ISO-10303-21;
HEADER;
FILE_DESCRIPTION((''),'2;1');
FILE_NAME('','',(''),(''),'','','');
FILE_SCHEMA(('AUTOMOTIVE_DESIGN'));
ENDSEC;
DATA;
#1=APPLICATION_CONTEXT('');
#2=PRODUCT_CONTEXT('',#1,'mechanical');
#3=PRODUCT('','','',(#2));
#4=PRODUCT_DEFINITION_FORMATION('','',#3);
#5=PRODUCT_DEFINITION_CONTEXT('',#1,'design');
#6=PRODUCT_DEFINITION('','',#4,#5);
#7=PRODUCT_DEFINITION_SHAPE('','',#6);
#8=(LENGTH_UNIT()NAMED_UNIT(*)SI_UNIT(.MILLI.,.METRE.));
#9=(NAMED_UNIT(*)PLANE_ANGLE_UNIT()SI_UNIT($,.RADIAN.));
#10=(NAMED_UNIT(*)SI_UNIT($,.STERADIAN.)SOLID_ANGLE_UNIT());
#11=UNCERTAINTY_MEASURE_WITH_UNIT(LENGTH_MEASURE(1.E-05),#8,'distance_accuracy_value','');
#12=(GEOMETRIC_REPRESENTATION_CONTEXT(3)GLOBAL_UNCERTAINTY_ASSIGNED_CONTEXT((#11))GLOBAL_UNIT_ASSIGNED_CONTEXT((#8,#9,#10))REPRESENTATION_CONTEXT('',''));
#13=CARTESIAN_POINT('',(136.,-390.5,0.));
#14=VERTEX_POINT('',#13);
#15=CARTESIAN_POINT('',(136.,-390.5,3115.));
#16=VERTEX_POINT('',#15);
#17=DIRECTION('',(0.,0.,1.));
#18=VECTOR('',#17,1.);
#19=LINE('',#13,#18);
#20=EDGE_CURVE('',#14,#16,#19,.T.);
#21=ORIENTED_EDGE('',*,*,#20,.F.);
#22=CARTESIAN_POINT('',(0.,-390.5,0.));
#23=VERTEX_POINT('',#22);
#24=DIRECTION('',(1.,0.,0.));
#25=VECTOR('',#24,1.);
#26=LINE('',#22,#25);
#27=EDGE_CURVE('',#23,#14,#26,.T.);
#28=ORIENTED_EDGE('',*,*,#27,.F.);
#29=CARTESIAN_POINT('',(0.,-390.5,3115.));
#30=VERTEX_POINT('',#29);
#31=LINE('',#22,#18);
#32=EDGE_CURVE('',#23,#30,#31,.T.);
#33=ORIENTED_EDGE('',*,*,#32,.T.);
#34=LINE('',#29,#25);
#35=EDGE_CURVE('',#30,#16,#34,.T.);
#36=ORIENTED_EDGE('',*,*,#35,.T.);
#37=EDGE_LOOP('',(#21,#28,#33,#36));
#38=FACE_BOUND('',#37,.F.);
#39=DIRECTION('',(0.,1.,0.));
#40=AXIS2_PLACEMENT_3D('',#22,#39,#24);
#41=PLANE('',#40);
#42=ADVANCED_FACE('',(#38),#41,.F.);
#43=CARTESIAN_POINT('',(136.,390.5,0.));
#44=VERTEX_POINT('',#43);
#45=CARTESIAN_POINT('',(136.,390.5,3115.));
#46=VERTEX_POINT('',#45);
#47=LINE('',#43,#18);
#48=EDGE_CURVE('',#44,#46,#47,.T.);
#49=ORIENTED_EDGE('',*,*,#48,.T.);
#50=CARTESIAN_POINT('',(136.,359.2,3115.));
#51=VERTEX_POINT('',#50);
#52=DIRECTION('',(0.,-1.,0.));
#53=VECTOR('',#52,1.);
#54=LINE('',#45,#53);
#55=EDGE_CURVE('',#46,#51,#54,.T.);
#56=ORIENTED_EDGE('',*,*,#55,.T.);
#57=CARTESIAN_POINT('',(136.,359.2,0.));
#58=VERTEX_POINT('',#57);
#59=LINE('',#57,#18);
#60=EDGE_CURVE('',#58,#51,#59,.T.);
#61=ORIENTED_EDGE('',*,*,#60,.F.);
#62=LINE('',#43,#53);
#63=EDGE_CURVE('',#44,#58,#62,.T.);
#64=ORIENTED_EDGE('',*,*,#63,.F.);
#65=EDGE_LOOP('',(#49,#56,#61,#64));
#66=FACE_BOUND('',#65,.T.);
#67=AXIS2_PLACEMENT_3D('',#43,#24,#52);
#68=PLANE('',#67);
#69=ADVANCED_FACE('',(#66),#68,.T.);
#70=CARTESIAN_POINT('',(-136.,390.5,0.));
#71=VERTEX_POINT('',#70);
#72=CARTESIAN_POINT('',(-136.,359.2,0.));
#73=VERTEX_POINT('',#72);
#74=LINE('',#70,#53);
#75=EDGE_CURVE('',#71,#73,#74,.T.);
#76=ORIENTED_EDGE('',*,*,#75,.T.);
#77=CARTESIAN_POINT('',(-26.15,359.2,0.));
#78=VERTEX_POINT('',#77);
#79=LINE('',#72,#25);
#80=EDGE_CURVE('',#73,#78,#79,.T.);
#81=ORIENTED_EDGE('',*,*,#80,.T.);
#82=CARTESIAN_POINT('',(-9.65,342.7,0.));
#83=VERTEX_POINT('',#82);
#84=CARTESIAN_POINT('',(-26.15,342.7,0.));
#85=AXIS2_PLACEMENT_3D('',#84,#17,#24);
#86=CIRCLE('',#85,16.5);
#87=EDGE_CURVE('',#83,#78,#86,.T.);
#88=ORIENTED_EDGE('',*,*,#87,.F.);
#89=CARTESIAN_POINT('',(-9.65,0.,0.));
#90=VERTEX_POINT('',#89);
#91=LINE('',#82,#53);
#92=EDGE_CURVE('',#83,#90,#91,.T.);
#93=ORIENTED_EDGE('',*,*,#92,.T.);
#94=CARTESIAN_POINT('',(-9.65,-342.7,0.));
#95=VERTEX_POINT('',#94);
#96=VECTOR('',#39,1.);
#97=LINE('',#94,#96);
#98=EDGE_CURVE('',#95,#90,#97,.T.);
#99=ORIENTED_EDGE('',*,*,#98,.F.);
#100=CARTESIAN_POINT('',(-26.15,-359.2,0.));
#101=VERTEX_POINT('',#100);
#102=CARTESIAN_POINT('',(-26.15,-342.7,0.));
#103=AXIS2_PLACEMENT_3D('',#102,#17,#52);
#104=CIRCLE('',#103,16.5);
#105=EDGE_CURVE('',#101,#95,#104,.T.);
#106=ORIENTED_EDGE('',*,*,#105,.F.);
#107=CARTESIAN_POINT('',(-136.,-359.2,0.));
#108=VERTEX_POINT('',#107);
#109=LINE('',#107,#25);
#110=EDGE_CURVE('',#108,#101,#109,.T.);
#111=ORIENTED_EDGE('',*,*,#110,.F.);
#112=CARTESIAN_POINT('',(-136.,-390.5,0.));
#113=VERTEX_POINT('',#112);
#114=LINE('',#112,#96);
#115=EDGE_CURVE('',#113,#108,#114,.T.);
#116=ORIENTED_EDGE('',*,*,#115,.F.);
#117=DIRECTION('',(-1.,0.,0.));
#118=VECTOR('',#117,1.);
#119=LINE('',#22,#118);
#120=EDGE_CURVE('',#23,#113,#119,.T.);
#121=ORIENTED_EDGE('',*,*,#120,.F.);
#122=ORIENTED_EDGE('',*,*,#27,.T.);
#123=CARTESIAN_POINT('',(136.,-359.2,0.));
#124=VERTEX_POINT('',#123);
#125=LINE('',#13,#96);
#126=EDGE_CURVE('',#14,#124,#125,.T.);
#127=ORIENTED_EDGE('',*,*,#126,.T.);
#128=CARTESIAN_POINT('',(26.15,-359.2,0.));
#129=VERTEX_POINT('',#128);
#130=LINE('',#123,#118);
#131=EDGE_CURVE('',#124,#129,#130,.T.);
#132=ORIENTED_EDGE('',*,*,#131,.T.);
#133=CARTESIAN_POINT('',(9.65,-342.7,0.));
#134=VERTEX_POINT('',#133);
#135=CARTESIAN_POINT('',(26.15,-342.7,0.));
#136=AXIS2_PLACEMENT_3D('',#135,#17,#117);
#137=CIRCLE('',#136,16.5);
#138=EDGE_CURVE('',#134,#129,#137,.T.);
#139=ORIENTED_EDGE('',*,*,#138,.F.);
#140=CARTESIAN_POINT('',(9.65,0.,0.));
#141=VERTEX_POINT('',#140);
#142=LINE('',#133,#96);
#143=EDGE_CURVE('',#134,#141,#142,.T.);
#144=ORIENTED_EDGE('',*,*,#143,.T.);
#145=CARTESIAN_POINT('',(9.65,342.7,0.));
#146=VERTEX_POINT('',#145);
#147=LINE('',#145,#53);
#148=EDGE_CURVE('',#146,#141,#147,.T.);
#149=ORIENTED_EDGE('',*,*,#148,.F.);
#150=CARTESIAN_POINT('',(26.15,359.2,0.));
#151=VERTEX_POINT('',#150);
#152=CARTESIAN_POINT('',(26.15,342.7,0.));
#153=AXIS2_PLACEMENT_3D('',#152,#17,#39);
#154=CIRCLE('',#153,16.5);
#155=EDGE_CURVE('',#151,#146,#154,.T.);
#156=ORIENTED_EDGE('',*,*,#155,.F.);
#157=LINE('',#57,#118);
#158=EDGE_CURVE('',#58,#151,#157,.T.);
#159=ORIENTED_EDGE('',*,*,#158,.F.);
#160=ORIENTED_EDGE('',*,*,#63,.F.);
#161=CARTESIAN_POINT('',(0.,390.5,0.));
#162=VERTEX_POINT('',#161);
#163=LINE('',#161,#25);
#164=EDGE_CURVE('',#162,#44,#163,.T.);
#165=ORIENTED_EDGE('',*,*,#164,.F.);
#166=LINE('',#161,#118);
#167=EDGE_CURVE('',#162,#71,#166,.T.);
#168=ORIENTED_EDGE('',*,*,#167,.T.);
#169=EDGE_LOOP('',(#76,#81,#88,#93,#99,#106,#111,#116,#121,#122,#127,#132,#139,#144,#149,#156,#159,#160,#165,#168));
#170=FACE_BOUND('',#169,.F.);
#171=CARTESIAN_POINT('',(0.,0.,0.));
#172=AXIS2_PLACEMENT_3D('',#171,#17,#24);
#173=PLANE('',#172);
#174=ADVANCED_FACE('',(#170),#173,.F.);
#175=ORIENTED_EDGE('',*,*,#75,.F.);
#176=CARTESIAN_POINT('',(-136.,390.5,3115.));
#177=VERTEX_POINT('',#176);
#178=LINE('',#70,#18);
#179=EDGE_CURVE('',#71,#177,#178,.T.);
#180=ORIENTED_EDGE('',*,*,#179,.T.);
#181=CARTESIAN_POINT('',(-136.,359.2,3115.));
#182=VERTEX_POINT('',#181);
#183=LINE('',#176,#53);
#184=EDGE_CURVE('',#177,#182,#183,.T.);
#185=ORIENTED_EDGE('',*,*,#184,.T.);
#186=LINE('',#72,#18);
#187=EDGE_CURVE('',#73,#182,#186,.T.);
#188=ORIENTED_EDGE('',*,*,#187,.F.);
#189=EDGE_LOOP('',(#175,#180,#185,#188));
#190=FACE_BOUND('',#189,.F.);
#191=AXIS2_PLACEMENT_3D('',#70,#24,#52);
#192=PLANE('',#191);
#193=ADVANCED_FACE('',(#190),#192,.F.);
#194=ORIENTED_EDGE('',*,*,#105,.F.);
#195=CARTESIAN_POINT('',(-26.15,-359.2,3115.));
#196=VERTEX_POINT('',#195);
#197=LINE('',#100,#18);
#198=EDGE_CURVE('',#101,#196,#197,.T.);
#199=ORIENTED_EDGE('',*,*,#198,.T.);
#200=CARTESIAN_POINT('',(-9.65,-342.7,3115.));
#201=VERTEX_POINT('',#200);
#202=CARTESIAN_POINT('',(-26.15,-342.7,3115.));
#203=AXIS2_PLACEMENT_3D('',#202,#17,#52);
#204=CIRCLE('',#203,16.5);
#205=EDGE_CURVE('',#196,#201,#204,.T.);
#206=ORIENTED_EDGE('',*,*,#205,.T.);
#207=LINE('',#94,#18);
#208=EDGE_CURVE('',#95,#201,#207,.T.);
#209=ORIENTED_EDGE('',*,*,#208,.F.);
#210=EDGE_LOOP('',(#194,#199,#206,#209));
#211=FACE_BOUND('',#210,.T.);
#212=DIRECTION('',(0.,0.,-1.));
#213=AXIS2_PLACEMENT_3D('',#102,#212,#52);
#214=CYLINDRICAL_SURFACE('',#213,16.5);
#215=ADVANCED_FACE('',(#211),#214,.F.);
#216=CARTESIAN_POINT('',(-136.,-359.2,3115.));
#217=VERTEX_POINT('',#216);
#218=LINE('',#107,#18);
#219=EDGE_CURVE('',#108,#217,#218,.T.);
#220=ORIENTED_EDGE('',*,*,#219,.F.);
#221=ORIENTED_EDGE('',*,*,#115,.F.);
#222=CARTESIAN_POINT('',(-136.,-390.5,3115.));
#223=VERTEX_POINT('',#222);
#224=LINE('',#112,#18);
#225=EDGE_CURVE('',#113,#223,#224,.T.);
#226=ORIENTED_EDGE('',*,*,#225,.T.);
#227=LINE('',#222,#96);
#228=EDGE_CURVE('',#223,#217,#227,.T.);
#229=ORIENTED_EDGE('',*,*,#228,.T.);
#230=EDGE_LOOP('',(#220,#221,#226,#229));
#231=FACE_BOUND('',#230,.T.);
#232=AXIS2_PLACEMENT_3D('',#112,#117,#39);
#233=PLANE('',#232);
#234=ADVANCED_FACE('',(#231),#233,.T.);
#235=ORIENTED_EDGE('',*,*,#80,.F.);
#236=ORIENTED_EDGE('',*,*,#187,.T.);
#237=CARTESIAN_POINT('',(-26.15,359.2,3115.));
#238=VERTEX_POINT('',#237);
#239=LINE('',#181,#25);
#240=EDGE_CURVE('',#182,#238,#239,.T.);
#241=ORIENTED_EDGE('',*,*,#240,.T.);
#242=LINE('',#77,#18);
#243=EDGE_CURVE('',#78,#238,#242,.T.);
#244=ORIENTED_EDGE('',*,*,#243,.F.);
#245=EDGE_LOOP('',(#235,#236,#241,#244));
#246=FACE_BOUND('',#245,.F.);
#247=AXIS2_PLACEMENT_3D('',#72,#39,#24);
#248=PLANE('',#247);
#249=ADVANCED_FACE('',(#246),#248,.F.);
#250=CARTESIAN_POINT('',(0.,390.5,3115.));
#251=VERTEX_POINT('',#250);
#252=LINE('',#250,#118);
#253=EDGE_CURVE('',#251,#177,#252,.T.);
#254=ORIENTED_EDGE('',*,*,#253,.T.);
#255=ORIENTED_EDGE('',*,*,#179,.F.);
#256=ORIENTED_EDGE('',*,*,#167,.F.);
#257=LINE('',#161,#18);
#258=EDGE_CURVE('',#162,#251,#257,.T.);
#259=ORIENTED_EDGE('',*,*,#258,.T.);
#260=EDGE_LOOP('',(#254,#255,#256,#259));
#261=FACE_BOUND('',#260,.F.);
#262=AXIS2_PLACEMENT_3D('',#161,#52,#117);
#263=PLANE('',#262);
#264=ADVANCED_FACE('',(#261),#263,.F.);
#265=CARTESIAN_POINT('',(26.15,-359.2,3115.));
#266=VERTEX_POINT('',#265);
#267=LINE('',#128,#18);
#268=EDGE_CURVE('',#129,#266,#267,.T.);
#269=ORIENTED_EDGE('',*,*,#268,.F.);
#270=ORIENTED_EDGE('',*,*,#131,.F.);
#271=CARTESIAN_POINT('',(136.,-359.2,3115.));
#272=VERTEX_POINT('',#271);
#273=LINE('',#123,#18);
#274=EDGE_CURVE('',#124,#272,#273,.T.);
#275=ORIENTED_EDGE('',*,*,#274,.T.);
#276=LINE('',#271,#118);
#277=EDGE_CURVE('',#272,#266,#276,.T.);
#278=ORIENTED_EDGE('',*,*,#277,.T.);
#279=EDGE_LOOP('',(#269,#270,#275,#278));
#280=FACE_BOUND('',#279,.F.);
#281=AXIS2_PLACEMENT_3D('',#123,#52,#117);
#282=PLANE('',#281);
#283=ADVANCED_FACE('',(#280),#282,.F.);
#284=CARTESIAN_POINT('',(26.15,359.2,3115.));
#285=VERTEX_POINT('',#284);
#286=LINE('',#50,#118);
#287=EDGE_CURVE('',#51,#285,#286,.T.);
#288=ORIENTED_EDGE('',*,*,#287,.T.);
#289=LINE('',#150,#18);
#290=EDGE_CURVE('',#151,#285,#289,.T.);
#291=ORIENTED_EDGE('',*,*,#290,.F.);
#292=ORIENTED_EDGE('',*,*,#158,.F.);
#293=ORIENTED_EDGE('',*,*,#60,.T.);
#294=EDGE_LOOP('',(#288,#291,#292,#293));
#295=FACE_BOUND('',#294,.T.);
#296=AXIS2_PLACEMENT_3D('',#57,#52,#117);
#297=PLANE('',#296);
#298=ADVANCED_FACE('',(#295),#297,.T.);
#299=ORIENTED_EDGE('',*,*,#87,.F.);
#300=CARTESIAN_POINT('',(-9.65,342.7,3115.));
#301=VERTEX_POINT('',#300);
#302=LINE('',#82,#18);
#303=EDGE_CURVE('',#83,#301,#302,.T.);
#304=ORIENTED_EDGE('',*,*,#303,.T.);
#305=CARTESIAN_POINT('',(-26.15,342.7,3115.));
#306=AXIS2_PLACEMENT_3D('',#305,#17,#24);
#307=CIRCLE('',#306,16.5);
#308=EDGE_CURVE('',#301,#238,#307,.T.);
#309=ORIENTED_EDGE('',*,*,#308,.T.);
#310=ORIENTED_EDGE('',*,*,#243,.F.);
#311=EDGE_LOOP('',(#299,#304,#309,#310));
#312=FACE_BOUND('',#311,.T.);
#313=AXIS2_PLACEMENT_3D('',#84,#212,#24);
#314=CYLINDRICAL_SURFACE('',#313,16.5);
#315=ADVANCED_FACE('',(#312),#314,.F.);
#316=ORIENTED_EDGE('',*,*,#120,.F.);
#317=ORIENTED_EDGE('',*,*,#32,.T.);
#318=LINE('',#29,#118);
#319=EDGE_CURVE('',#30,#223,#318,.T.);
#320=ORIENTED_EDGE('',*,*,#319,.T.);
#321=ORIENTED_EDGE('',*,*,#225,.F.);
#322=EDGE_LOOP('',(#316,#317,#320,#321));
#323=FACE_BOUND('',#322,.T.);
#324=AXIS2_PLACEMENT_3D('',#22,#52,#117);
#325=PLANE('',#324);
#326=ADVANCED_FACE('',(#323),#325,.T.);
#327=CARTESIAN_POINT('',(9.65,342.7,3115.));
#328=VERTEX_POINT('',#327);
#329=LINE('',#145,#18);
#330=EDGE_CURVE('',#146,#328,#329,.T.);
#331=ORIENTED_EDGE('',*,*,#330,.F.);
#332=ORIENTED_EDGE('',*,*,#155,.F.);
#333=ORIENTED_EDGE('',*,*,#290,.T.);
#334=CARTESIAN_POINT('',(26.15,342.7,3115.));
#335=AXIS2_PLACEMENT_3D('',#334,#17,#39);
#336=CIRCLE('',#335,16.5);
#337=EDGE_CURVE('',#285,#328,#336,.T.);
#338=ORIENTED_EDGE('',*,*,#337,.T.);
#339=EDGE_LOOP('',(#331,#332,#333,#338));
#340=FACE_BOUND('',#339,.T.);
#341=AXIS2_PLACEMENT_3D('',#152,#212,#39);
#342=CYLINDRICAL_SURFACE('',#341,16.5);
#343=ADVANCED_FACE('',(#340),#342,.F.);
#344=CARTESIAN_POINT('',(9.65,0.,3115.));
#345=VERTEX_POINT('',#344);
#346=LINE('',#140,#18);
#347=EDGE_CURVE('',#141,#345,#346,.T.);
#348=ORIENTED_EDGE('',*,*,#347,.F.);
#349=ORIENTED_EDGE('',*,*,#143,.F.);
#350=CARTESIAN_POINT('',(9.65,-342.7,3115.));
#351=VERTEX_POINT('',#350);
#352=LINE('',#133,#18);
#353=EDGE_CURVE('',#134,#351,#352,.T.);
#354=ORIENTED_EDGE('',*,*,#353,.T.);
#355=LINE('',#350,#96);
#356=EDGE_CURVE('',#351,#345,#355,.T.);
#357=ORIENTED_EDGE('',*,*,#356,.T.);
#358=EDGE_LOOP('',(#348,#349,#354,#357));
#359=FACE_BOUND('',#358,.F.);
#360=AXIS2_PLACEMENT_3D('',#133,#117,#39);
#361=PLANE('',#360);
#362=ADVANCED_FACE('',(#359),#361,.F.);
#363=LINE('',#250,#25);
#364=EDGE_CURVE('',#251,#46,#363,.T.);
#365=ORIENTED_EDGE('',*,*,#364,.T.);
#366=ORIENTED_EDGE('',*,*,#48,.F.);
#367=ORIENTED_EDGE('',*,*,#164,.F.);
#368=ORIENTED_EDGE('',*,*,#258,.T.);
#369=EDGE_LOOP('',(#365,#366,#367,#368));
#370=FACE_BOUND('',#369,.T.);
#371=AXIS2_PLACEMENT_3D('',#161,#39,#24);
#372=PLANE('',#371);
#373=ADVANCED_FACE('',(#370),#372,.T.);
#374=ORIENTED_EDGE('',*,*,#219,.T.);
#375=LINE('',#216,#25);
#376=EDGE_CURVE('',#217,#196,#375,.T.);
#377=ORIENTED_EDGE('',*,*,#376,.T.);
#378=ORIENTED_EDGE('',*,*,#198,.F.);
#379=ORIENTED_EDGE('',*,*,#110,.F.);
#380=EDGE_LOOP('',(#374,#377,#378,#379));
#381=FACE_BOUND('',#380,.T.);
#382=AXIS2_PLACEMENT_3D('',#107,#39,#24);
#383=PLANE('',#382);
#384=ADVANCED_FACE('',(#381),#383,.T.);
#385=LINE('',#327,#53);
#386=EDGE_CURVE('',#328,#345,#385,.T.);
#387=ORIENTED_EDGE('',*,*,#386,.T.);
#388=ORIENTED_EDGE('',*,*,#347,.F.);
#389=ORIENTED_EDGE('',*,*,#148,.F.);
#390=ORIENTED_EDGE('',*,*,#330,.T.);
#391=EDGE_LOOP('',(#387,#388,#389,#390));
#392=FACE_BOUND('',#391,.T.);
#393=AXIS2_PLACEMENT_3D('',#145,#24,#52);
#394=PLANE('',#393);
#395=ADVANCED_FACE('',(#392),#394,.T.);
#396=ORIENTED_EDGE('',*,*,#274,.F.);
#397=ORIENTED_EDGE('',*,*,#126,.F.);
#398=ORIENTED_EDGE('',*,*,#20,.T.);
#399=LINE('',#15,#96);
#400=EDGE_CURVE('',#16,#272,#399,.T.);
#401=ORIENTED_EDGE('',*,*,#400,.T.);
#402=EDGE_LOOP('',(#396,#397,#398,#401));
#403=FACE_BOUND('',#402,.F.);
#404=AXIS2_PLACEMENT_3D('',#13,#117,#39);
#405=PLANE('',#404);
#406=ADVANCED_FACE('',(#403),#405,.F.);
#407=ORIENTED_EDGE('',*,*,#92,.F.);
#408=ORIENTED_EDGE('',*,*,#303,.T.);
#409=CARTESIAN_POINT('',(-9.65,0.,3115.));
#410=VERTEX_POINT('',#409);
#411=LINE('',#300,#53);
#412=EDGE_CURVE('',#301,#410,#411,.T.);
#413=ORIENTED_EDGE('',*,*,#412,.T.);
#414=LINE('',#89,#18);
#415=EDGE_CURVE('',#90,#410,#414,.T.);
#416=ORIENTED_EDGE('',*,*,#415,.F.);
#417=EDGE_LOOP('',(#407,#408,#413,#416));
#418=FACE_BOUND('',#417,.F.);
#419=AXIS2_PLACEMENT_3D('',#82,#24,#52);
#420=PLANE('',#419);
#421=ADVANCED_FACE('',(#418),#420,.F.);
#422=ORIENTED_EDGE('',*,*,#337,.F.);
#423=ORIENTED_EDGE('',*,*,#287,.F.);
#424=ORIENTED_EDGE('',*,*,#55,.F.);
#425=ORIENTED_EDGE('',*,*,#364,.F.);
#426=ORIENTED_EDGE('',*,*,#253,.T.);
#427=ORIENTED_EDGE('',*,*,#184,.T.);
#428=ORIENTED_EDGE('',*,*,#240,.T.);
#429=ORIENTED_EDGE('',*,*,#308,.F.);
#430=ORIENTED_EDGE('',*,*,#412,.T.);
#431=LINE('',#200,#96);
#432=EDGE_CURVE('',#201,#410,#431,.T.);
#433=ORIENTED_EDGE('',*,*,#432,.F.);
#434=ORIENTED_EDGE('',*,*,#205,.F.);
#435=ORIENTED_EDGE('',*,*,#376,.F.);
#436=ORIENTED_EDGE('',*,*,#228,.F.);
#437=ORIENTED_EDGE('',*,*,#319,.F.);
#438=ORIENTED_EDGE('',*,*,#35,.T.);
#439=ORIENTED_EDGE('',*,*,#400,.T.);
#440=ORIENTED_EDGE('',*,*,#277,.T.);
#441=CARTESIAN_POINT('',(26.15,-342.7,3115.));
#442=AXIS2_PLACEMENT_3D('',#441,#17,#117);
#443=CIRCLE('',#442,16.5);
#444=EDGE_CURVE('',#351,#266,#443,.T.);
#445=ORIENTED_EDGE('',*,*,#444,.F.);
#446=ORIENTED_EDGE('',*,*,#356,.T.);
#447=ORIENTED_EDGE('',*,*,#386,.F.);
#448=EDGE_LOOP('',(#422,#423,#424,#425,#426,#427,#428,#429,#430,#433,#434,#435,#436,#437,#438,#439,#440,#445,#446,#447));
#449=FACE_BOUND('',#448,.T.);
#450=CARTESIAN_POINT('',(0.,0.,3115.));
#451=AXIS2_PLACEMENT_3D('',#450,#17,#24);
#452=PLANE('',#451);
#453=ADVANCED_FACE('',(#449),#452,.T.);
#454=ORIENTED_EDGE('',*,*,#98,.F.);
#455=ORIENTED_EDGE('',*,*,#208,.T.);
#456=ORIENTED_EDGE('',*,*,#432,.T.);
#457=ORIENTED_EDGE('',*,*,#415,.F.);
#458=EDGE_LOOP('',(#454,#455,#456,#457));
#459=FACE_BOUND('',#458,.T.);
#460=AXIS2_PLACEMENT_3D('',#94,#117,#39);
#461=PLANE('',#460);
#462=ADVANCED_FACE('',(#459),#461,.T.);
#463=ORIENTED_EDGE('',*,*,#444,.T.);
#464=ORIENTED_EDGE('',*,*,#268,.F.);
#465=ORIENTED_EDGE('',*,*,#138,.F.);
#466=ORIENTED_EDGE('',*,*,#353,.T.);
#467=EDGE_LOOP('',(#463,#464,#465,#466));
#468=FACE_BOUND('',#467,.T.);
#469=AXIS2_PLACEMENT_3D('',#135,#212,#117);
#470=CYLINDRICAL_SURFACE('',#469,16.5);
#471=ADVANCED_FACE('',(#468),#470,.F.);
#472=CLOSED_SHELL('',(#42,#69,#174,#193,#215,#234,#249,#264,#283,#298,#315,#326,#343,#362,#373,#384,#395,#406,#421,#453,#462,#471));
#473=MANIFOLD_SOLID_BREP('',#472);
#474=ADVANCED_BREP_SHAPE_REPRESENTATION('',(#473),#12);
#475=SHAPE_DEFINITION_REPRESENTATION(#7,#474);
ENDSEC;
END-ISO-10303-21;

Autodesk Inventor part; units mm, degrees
ref_plane "YZ Plane" through (0, 0, 0) normal (1, 0, 0) x (0, 1, 0)
ref_plane "Start plane" through (0, 0, 0) normal (0, 0, 1) x (1, 0, 0)
ref_plane "End plane" through (0, 0, 3115) normal (0, 0, 1) x (1, 0, 0)
sketch "Sketch" plane through (0, 0, 0) normal (0, 0, 1) x (1, 0, 0)
  line L0 (-136, -390.5) -> (-136, -359.2)
  line L1 (-136, -359.2) -> (-26.15, -359.2)
  line L2 (-9.65, -342.7) -> (-9.65, 0)
  line L3 (-9.65, 0) -> (0, 0) construction
  line L4 (0, 0) -> (0, -390.5) construction
  line L5 (0, -390.5) -> (-136, -390.5)
  line L6 (-60, 0) -> (80, 0) construction
  line L7 (0, -60) -> (0, 80) construction
  line L8 (136, -390.5) -> (136, -359.2)
  line L9 (136, -359.2) -> (26.15, -359.2)
  line L10 (9.65, -342.7) -> (9.65, 0)
  line L11 (9.65, 0) -> (0, 0) construction
  line L12 (0, -390.5) -> (136, -390.5)
  line L13 (-136, 390.5) -> (-136, 359.2)
  line L14 (-136, 359.2) -> (-26.15, 359.2)
  line L15 (-9.65, 342.7) -> (-9.65, 0)
  line L16 (0, 390.5) -> (-136, 390.5)
  line L17 (136, 390.5) -> (136, 359.2)
  line L18 (136, 359.2) -> (26.15, 359.2)
  line L19 (0, 390.5) -> (136, 390.5)
  line L20 (9.65, 342.7) -> (9.65, 0)
  arc A0 (-9.65, 342.7) -> (-26.15, 359.2) centre (-26.15, 342.7) ccw
  arc A1 (26.15, 359.2) -> (9.65, 342.7) centre (26.15, 342.7) ccw
  arc A2 (9.65, -342.7) -> (26.15, -359.2) centre (26.15, -342.7) ccw
  arc A3 (-26.15, -359.2) -> (-9.65, -342.7) centre (-26.15, -342.7) ccw
  line L21 (0, 108) -> (0, -88) construction
  line L22 (-88, 0) -> (108, 0) construction
  point P0 (-9.65, -359.2)
  point P1 (9.65, -359.2)
  point P2 (-9.65, 359.2)
  point P3 (9.65, 359.2)
  dimension "d1" = 390.5
  dimension "d2" = 31.3
  dimension "d3" = 136
  dimension "d4" = 9.65
  dimension "d10" = 16.5
extrude "Body" add sketch "Sketch" along normal up to surface (3115 mm away) from surface at 0
sketch "Sketch4" plane through (0, 0, 0) normal (0, 0, 1) x (1, 0, 0)
  line L0 (0, 0) -> (10, 0)
ref_plane "Work Plane3" through (0, 0, 0) normal (0, -1, 0) x (1, 0, 0)
sketch "Sketch5" plane through (0, 0, 0) normal (0, -1, 0) x (1, 0, 0)
  line L0 (-2, 0) -> (12, 0) projected
  line L1 (-2, 3115) -> (12, 3115) projected
  dimension "d14" = 3115
equation "\"d1\" = 0.5 * G_H"
equation "\"d2\" = G_T1"
equation "\"d3\" = 0.5 * G_W"
equation "\"d4\" = 0.5 * G_T"
equation "\"d10\" = G_IR"
equation "\"d5\" = G_L"
equation "\"G_W\" = 272"
equation "\"G_H\" = 781"
equation "\"G_T\" = 19.3"
equation "\"G_T1\" = 31.3"
equation "\"G_IR\" = 16.5"
equation "\"G_L\" = d14"
equation "\"G_OFFSET_START\" = 0"
equation "\"G_OFFSET_END\" = 0"
equation "\"d12\" = G_OFFSET_END + B_L"
equation "\"B_L\" = 3115"
properties part number "AS 3679-1990 - 760 UB - 244 - 3115" material "Steel, Mild"
